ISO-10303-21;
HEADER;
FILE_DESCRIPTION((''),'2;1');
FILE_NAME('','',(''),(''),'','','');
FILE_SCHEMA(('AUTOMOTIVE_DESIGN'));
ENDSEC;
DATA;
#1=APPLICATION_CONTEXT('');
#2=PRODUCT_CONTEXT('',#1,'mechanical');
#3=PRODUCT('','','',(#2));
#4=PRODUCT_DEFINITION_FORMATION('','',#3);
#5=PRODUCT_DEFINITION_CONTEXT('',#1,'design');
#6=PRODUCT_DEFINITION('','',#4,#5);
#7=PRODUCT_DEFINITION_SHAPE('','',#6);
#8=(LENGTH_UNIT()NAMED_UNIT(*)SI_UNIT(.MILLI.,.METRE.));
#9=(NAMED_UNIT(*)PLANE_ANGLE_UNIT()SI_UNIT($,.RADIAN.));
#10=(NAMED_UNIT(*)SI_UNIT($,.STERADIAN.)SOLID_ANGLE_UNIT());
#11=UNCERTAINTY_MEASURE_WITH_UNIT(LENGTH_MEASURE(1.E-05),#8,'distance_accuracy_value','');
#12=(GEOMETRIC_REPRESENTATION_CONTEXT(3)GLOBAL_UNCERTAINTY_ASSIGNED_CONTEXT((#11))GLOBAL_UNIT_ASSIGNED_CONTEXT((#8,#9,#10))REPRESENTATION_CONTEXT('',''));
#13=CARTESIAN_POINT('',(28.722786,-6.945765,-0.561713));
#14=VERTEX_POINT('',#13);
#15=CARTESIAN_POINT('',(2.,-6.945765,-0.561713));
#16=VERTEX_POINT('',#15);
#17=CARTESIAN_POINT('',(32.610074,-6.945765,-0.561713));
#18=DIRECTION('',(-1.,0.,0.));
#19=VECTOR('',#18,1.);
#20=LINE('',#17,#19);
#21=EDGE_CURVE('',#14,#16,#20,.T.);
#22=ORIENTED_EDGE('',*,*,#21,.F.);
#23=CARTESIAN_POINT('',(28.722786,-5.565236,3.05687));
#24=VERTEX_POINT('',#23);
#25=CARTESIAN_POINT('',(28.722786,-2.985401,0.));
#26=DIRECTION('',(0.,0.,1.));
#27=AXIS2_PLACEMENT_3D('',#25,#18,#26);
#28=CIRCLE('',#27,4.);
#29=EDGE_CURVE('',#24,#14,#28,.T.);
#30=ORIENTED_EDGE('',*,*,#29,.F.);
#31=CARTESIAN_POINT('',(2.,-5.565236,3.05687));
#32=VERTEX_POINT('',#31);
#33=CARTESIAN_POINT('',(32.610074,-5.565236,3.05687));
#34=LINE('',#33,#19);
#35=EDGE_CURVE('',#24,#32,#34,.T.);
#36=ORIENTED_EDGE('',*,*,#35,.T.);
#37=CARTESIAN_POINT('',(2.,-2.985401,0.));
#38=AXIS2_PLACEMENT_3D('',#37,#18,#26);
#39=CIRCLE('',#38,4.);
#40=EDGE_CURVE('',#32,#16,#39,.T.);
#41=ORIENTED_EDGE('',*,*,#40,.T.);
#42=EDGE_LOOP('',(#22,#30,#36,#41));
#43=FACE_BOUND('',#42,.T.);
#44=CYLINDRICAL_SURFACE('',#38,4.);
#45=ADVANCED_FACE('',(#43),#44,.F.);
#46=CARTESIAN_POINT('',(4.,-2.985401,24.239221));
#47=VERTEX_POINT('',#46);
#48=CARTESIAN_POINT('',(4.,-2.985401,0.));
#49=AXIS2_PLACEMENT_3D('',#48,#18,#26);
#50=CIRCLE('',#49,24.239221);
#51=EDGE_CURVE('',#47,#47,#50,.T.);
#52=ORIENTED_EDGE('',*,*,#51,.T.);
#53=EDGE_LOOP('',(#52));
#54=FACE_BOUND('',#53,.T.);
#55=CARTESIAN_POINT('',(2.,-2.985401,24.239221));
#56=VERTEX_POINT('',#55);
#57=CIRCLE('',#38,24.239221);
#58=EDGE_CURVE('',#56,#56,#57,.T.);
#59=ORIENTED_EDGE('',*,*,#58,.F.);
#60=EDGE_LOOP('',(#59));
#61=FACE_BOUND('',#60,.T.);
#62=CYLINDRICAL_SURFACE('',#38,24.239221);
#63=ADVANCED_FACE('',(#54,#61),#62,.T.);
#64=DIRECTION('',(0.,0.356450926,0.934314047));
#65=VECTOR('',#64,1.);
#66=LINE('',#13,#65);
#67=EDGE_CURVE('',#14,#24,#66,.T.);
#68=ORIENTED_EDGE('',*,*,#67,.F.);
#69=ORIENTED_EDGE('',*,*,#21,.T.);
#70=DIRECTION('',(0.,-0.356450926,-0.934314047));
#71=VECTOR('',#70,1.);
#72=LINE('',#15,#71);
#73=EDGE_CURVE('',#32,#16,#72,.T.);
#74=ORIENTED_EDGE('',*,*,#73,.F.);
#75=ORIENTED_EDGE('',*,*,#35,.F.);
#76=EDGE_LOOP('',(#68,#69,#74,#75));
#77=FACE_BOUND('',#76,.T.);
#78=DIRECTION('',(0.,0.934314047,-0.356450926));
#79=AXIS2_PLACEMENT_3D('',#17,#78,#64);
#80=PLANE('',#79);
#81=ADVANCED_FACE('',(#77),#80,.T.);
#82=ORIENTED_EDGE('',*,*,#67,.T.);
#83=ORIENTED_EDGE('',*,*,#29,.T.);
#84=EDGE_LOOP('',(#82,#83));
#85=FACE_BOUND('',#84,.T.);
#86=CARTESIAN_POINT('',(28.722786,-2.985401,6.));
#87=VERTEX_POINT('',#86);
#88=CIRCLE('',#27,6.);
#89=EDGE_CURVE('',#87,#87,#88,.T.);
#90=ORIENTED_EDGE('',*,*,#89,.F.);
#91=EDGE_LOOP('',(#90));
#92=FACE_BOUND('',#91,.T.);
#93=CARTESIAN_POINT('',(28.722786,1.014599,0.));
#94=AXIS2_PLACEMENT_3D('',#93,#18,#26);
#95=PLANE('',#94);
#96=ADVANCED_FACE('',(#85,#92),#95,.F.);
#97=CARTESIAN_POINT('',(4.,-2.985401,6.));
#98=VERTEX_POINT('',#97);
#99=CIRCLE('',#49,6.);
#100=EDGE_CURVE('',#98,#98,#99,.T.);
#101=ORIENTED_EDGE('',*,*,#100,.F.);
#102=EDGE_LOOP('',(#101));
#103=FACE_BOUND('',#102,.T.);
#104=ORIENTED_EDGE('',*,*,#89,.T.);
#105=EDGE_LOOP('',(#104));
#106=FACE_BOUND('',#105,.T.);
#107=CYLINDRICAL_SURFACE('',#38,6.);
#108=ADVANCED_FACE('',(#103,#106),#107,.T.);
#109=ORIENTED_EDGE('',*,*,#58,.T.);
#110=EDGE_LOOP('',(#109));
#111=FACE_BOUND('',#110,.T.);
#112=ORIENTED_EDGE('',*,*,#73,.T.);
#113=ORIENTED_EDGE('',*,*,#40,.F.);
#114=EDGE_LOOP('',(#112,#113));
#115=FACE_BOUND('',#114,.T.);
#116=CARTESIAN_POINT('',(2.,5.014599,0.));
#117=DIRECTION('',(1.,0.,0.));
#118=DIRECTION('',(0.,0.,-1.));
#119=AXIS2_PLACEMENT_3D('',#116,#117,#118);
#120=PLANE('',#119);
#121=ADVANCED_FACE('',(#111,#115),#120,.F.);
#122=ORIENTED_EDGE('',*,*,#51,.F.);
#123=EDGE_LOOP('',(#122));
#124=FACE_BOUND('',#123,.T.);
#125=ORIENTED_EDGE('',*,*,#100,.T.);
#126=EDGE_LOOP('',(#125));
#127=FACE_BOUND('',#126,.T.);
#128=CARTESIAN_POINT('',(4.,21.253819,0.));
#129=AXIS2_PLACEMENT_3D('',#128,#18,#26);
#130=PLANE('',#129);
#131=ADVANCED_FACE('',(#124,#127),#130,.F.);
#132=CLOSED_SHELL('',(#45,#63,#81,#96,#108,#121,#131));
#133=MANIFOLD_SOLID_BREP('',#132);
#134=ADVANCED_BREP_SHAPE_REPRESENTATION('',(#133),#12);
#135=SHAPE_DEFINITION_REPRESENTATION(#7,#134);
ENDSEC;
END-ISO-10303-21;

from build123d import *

# Parameters (mm, degrees)
BOSS_EXTRUDE1_DEPTH = 26.722785591


with BuildPart() as part:
    # Sketch1 → Revolve1 (revolve)
    with BuildSketch(Plane.XY, mode=Mode.PRIVATE) as revolve1_sk:
        Polygon((2, 5.01459854), (2, 21.253819403), (4, 21.253819403), (4, 3.01459854), (7, 3.01459854), (28.722785591, 3.01459854), (28.722785591, 1.01459854), (7, 1.01459854), (2, 1.01459854), align=None)
    revolve(revolve1_sk.sketch.rotate(Axis((2, -2.98540146, 0), (1, 0, 0)), 90), axis=Axis((2, -2.98540146, 0), (1, 0, 0)))

    # Sketch2 → Boss-Extrude1 (add)
    with BuildSketch(Plane.ZY.offset(-2)):
        with BuildLine():
            Line((-0.561713132, -6.945764872), (1.247578239, -6.255500623))
            Line((1.247578239, -6.255500623), (3.056869611, -5.565236374))
            ThreePointArc((3.056869611, -5.565236374), (1.425803702, -6.722657646), (-0.561713132, -6.945764872))
        make_face()
    extrude(amount=-BOSS_EXTRUDE1_DEPTH)


solid = part.part
